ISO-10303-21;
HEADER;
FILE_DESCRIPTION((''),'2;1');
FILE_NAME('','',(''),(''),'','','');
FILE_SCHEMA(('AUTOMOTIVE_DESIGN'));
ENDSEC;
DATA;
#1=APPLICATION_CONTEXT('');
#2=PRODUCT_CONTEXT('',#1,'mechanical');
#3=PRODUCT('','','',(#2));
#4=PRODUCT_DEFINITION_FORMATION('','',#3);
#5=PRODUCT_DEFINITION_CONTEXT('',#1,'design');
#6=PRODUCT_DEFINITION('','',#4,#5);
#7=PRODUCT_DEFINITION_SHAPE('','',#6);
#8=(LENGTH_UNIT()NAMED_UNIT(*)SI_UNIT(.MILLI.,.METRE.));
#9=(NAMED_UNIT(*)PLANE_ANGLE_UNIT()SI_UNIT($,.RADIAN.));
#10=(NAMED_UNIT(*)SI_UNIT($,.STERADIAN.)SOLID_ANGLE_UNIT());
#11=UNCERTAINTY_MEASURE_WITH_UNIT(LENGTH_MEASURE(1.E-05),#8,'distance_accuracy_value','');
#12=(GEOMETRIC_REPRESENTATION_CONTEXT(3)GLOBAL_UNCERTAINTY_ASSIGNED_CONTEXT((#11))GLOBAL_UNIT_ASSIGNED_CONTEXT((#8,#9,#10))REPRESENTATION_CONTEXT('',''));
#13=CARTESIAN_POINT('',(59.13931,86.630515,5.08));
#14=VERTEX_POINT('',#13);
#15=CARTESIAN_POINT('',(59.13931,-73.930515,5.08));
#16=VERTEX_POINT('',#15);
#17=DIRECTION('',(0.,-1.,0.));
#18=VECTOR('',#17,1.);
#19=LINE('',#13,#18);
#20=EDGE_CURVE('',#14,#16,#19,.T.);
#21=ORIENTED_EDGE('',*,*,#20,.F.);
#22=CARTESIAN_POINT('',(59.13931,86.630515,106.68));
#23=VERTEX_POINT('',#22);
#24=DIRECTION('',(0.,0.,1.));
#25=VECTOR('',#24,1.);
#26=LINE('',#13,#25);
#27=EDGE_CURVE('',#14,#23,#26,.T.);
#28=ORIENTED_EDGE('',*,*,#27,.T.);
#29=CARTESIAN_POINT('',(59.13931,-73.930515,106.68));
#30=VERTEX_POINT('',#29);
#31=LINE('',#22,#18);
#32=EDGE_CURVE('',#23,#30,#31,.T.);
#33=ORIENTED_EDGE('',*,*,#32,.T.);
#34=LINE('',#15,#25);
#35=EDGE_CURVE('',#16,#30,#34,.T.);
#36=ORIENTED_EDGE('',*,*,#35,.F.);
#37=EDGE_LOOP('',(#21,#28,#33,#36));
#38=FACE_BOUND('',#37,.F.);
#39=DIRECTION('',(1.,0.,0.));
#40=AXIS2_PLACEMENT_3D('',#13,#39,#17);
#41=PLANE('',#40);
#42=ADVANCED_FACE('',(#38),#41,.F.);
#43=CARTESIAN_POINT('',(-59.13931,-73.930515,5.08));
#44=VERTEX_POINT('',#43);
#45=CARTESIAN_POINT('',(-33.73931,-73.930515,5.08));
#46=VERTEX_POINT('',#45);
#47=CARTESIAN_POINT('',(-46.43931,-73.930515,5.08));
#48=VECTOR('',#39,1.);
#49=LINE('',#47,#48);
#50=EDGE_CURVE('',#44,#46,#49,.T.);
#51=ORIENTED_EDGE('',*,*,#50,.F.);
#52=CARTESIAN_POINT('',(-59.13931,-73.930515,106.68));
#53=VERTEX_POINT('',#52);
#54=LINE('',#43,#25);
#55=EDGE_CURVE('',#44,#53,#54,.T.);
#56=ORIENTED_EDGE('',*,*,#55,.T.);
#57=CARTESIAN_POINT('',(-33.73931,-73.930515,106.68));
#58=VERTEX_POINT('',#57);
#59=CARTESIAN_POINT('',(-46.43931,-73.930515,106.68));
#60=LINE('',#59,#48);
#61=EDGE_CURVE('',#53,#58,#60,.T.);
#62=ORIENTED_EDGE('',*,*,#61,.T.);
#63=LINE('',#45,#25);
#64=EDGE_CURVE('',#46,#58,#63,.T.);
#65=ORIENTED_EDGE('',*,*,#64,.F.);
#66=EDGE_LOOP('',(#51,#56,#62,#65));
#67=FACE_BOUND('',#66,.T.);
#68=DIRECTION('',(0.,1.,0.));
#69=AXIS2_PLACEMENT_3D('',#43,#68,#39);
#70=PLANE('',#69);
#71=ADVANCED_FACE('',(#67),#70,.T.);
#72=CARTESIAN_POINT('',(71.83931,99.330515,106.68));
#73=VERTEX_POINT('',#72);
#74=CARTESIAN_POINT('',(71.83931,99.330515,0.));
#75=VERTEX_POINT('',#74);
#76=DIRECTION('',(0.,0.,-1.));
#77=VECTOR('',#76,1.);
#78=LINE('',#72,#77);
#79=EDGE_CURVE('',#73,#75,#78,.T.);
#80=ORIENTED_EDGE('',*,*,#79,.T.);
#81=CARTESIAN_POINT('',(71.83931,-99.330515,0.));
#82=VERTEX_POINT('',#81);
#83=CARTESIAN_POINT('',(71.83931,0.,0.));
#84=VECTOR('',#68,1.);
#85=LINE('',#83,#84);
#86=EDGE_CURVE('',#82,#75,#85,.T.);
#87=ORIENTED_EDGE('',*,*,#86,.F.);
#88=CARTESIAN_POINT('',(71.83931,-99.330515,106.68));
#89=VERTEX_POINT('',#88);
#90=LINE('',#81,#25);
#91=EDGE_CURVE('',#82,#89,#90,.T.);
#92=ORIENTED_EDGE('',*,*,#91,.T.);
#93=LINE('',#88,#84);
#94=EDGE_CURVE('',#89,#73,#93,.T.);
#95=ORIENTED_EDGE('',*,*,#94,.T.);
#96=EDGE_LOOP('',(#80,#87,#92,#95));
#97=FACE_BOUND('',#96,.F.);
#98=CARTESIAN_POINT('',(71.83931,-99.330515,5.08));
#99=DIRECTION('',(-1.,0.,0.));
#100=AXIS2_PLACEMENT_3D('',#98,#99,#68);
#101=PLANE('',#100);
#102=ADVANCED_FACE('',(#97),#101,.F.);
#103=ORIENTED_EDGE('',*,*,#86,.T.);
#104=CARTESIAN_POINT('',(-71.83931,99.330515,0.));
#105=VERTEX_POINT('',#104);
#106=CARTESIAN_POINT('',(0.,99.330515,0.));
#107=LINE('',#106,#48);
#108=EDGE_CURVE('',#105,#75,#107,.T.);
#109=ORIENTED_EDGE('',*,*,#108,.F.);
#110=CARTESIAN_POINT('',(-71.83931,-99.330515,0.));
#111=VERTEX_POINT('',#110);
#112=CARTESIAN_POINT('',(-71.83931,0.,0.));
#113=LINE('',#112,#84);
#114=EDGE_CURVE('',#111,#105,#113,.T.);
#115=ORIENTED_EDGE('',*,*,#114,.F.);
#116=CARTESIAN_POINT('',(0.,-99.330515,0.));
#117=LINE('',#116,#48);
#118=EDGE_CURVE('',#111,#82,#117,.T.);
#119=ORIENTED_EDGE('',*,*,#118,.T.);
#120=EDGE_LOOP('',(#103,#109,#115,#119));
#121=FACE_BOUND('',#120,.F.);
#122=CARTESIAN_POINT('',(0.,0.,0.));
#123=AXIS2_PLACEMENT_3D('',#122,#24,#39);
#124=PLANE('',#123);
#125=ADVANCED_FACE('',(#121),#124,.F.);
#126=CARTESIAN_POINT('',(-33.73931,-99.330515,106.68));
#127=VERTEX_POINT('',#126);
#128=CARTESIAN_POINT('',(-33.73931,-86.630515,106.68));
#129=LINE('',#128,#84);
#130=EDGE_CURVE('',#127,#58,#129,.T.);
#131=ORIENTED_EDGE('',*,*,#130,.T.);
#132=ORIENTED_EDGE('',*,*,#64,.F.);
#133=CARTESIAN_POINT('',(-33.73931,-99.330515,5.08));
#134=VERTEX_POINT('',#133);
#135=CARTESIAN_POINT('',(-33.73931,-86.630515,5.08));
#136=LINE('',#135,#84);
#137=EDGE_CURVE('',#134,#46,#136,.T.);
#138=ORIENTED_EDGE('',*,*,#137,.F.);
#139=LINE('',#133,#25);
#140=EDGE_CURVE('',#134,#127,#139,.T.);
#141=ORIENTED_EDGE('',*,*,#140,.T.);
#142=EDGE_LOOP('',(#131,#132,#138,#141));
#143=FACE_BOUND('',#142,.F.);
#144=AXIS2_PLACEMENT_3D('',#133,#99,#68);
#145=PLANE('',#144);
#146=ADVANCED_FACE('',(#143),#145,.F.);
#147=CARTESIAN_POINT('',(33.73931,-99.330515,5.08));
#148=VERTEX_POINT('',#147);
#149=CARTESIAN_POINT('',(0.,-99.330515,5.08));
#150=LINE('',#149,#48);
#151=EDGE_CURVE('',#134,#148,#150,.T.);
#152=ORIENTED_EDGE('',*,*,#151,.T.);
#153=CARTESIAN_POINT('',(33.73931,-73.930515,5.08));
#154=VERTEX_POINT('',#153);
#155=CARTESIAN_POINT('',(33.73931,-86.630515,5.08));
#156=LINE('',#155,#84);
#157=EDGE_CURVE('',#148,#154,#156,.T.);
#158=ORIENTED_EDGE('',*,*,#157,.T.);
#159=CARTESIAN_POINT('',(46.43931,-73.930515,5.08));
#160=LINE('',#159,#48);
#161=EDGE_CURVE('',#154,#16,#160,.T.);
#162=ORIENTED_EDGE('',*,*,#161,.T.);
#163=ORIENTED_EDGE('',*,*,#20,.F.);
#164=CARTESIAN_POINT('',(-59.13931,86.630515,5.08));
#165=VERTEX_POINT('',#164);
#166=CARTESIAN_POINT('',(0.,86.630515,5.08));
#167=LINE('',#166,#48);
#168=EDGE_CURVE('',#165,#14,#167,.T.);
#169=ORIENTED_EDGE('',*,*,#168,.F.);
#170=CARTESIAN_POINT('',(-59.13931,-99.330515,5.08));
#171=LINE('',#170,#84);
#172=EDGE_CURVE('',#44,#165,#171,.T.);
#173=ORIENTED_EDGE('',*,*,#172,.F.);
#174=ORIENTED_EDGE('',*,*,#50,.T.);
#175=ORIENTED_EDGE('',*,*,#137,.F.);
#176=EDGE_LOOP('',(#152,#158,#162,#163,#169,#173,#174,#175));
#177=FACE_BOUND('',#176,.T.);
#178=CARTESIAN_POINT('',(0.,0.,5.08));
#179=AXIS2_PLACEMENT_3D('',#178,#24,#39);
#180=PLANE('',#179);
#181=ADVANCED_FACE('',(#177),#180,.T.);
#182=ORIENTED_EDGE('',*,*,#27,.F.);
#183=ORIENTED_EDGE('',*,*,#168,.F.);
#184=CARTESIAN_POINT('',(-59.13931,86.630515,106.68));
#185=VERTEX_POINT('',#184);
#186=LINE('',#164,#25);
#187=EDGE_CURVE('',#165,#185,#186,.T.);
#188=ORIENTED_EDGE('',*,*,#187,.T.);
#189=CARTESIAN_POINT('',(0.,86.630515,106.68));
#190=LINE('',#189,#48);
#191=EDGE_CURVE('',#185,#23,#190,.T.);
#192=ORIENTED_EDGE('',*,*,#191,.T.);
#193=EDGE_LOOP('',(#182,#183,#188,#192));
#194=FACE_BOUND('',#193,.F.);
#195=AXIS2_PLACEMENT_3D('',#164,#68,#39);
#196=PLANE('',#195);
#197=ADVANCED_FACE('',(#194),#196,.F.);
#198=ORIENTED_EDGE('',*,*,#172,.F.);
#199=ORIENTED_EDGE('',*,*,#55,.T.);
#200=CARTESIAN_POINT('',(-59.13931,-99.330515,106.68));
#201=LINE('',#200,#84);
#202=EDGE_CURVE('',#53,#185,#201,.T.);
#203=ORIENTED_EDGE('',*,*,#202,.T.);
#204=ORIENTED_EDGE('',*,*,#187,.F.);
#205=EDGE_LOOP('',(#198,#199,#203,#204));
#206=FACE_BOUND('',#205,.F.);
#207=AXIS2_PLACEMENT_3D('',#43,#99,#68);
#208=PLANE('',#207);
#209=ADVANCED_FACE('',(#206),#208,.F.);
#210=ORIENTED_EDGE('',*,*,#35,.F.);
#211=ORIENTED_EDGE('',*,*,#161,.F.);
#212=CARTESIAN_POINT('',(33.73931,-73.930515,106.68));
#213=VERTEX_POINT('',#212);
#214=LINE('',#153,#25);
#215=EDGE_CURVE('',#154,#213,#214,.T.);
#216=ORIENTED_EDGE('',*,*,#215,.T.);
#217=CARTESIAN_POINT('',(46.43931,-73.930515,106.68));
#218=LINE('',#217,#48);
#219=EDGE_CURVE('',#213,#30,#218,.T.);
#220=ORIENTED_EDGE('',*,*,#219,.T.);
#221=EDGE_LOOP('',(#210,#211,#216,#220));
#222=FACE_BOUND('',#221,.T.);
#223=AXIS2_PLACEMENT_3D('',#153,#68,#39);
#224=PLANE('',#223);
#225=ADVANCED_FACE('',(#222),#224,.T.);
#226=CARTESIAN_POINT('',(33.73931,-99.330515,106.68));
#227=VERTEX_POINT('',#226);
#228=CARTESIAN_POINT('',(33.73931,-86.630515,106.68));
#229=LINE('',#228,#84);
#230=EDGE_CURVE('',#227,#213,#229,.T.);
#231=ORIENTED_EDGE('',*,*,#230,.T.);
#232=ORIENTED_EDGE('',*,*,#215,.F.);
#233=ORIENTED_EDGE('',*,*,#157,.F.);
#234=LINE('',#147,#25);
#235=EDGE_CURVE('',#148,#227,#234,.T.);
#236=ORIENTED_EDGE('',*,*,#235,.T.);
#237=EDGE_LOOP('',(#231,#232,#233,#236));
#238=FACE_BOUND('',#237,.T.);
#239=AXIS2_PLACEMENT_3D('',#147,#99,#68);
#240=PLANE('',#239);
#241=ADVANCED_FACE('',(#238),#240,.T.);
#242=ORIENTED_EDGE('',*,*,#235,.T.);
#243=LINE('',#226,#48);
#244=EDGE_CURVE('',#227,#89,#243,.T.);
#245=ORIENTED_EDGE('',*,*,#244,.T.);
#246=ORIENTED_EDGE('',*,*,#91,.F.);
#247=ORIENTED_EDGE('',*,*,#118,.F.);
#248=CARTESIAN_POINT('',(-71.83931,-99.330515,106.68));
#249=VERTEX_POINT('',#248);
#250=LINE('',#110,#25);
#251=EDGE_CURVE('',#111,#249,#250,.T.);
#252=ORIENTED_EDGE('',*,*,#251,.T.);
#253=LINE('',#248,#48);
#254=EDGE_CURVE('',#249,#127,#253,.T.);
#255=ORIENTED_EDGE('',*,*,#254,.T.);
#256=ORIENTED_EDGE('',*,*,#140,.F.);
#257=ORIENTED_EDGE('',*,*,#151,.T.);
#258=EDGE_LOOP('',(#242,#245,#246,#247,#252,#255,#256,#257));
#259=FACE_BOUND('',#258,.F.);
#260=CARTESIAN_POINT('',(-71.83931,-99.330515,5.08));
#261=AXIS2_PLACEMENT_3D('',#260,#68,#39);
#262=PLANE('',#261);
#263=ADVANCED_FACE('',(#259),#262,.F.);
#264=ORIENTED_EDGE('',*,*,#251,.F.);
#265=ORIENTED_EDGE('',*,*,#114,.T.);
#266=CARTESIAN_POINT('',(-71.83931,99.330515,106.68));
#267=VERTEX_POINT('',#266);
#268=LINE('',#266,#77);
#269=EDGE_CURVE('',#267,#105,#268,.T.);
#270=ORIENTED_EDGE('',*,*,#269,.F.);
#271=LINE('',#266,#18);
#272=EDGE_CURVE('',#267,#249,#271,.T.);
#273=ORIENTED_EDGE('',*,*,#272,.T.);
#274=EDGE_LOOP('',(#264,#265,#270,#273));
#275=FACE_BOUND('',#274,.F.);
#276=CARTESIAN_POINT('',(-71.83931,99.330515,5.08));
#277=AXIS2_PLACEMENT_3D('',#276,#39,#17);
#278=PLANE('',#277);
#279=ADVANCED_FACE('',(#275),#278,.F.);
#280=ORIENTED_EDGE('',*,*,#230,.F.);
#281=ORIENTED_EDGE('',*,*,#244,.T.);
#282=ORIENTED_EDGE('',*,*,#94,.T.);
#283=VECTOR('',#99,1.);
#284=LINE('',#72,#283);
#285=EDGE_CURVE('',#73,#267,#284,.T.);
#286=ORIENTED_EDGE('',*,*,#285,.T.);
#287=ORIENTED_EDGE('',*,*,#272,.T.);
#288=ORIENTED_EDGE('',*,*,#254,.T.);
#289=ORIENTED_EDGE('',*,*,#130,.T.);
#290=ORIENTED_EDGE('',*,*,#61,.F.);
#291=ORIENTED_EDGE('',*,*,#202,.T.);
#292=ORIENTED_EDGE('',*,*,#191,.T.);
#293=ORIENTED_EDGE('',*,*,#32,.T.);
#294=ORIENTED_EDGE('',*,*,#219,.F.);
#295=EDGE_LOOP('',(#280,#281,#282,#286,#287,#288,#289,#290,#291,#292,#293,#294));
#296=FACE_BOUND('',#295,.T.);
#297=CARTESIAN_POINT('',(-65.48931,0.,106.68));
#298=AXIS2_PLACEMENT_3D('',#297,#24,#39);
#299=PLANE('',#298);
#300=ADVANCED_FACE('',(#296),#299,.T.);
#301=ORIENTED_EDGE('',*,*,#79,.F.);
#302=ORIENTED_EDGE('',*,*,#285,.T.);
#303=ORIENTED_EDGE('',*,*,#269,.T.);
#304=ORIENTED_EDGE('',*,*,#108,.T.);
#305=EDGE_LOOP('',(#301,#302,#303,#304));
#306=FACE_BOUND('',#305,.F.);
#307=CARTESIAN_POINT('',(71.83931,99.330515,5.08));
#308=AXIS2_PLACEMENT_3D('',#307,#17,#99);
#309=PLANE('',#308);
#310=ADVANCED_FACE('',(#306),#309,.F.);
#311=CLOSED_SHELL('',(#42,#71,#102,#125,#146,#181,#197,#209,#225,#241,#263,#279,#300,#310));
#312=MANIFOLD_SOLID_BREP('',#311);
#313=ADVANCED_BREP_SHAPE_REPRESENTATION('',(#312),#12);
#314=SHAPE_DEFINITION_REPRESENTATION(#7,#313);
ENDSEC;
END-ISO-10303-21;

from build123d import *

# Parameters (mm, degrees)
F0_W     = 143.67862
F0_H     = 198.66103
F1_DEPTH = 5.08
F2_W     = 118.27862
F2_H     = 12.7
F2_W_2   = 25.4
F2_H_2   = 25.4
F3_DEPTH = 101.6


with BuildPart() as f1:
    # F0 (on Top) → F1 (new body)
    with BuildSketch(Plane.XY):
        Rectangle(F0_W, F0_H)
    extrude(amount=F1_DEPTH)

    # F2 (on face) → F3 (join)
    with BuildSketch(Plane.XY.offset(5.08)):
        Polygon((-59.13931, 99.330515), (-71.83931, 99.330515), (-71.83931, -99.330515), (-59.13931, -99.330515), (-59.13931, -73.930515), (-59.13931, 86.630515), align=None)
        with Locations((0, 92.980515)):
            Rectangle(F2_W, F2_H)
        Polygon((71.83931, 99.330515), (59.13931, 99.330515), (59.13931, 86.630515), (59.13931, -73.930515), (59.13931, -99.330515), (71.83931, -99.330515), align=None)
        with Locations((-46.43931, -86.630515)):
            Rectangle(F2_W_2, F2_H_2)
        with Locations((46.43931, -86.630515)):
            Rectangle(F2_W_2, F2_H_2)
    extrude(amount=F3_DEPTH)


solid = f1.part
